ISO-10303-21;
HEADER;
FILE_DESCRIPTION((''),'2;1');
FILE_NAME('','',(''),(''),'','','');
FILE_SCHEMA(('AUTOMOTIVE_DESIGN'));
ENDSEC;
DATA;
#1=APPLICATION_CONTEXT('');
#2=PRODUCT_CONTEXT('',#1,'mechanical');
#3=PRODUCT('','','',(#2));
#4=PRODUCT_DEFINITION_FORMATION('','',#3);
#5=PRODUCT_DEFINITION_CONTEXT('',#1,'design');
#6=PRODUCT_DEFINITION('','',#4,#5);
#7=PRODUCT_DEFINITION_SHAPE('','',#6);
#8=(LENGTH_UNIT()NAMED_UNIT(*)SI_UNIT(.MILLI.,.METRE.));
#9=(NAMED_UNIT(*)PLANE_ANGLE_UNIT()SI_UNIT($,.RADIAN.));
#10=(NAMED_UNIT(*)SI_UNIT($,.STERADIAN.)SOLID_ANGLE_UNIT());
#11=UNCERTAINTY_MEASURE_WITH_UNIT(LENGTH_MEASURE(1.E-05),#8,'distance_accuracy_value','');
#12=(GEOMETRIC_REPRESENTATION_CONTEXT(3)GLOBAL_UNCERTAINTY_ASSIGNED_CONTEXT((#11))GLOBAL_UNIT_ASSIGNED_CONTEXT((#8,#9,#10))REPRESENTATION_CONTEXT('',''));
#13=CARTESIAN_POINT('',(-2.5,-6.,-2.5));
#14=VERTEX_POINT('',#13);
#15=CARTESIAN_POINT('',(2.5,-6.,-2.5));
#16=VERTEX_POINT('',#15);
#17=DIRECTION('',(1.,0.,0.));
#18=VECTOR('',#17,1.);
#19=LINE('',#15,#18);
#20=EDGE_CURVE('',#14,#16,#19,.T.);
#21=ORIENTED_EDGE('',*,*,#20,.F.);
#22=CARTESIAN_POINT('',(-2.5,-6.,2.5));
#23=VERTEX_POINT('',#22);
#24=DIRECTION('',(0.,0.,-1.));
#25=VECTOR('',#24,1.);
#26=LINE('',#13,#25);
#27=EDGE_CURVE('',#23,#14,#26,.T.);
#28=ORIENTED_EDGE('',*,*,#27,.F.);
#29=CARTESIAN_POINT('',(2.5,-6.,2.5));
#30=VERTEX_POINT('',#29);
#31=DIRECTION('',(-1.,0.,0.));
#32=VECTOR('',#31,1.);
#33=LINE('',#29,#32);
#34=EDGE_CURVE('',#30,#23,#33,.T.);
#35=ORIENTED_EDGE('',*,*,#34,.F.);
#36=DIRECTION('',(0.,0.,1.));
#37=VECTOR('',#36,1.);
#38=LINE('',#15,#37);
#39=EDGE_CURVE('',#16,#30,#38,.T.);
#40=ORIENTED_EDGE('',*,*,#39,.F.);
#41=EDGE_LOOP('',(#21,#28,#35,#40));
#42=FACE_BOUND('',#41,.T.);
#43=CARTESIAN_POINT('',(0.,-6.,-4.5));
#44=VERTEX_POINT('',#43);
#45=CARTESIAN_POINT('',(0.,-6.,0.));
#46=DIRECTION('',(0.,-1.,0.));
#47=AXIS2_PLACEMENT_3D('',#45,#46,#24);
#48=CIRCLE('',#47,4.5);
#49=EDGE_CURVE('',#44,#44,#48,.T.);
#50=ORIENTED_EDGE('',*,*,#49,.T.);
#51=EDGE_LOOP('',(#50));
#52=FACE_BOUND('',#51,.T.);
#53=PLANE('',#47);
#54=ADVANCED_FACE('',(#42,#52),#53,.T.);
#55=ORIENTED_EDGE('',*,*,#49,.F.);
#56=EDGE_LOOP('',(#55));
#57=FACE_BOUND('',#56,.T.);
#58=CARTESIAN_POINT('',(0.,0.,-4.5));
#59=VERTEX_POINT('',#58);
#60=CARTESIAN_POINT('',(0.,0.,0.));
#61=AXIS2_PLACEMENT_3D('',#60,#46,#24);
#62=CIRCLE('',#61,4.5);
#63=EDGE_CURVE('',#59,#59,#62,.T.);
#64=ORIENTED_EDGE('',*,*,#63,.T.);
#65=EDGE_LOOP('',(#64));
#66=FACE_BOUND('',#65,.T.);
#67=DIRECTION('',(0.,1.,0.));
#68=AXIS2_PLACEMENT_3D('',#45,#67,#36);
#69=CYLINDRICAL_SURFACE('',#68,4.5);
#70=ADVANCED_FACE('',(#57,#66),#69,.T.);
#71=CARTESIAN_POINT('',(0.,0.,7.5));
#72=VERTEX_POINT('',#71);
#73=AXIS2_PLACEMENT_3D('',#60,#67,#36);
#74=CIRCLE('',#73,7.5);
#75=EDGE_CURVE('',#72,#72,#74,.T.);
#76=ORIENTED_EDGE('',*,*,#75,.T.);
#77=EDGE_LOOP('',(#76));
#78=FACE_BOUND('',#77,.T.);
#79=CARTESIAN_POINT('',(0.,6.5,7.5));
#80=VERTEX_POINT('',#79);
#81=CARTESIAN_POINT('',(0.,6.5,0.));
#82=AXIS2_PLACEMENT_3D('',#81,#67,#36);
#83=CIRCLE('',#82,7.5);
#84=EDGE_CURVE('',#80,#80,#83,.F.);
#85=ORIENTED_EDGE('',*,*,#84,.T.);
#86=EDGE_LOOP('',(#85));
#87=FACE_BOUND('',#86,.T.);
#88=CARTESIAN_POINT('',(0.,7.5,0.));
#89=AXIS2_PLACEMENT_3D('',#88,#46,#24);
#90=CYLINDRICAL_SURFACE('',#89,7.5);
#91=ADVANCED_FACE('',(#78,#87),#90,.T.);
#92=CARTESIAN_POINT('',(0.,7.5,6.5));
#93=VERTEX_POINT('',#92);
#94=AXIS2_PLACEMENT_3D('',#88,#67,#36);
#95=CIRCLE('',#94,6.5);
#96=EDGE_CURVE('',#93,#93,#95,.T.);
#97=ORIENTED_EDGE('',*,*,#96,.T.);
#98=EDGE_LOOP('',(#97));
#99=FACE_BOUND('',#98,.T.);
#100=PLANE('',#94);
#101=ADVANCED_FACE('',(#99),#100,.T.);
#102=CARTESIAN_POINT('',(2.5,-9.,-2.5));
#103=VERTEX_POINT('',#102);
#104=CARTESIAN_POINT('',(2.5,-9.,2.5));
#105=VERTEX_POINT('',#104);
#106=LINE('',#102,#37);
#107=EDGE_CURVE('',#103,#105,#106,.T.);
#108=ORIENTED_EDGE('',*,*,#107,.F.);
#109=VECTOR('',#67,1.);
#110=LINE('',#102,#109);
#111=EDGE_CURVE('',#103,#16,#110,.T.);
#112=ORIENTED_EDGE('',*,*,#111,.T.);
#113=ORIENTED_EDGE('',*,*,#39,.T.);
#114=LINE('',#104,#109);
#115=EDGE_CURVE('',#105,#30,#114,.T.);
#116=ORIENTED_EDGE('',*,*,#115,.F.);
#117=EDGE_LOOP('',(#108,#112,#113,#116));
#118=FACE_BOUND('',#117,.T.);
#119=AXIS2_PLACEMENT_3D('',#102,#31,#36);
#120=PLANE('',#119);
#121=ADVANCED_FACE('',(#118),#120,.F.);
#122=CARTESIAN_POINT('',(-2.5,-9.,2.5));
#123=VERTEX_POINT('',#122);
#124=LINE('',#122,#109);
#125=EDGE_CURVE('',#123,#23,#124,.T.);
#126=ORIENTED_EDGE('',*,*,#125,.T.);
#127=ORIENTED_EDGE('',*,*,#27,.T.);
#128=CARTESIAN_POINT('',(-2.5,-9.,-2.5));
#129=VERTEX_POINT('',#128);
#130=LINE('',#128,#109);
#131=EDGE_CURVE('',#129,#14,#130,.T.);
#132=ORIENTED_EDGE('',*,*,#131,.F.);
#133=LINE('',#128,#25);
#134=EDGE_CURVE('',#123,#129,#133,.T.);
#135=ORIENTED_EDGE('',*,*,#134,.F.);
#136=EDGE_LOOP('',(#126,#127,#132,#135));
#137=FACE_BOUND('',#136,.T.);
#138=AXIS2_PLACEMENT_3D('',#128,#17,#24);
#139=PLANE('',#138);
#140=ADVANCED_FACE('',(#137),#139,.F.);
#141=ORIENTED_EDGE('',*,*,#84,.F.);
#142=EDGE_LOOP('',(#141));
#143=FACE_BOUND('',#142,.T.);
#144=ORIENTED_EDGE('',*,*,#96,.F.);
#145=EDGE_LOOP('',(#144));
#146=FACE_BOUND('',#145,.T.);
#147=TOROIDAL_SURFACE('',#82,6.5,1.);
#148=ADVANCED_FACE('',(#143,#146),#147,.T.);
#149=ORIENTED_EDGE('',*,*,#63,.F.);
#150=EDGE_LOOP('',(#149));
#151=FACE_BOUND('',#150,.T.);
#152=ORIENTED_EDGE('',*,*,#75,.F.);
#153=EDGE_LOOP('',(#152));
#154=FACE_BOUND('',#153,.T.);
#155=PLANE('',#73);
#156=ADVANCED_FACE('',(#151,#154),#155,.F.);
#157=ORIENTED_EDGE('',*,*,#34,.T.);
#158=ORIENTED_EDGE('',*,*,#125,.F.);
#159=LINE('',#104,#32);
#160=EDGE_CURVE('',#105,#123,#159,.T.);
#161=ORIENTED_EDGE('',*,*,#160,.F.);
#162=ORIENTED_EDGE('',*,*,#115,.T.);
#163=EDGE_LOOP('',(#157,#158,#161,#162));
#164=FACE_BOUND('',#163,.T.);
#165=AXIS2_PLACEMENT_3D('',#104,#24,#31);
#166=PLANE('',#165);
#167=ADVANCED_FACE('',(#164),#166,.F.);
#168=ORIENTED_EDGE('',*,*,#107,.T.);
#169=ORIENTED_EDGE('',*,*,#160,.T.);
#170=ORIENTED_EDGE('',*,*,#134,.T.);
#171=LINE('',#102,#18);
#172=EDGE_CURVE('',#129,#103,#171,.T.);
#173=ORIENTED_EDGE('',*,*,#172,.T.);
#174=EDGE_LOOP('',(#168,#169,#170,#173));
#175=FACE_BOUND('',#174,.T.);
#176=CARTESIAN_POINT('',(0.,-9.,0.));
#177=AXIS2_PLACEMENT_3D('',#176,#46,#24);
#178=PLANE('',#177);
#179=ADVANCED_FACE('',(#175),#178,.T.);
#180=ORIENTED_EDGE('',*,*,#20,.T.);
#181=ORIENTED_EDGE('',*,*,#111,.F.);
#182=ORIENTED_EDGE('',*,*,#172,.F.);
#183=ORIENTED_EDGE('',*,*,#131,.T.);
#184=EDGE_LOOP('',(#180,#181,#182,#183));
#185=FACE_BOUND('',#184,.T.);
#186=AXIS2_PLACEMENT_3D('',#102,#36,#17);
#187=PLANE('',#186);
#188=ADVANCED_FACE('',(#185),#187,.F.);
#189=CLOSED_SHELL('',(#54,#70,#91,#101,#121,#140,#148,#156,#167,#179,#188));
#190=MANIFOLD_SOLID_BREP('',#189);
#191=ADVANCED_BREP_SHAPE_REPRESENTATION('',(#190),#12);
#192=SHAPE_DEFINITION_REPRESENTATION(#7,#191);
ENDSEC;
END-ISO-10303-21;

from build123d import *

# Parameters (mm, degrees)
SKETCH1_R           = 7.5
BOSS_EXTRUDE1_DEPTH = 7.5
FILLET1_R           = 1
SKETCH2_R           = 4.5
BOSS_EXTRUDE2_DEPTH = 6
SKETCH3_W           = 5
SKETCH3_H           = 5
BOSS_EXTRUDE3_DEPTH = 3


with BuildPart() as part:
    # Sketch1 → Boss-Extrude1 (new body)
    with BuildSketch(Plane(origin=(0, 0, 0), x_dir=(1, 0, 0), z_dir=(0, 1, 0))):
        with Locations(Location((0, 0, 0), (0, 0, 270))):
            Circle(SKETCH1_R)
    extrude(amount=BOSS_EXTRUDE1_DEPTH)

    # Fillet1
    fillet1_edges = [part.edges().sort_by_distance(p)[0] for p in [
        (0, 7.5, -7.5),
    ]]
    fillet(fillet1_edges, radius=FILLET1_R)

    # Sketch2 → Boss-Extrude2 (add)
    with BuildSketch(Plane(origin=(0, 0, 0), x_dir=(-1, 0, 0), z_dir=(0, -1, 0))):
        with Locations(Location((0, 0, 0), (0, 0, 90))):
            Circle(SKETCH2_R)
    extrude(amount=BOSS_EXTRUDE2_DEPTH)

    # Sketch3 → Boss-Extrude3 (add)
    with BuildSketch(Plane(origin=(0, -6, 0), x_dir=(-1, 0, 0), z_dir=(0, -1, 0))):
        Rectangle(SKETCH3_W, SKETCH3_H)
    extrude(amount=BOSS_EXTRUDE3_DEPTH)


solid = part.part
